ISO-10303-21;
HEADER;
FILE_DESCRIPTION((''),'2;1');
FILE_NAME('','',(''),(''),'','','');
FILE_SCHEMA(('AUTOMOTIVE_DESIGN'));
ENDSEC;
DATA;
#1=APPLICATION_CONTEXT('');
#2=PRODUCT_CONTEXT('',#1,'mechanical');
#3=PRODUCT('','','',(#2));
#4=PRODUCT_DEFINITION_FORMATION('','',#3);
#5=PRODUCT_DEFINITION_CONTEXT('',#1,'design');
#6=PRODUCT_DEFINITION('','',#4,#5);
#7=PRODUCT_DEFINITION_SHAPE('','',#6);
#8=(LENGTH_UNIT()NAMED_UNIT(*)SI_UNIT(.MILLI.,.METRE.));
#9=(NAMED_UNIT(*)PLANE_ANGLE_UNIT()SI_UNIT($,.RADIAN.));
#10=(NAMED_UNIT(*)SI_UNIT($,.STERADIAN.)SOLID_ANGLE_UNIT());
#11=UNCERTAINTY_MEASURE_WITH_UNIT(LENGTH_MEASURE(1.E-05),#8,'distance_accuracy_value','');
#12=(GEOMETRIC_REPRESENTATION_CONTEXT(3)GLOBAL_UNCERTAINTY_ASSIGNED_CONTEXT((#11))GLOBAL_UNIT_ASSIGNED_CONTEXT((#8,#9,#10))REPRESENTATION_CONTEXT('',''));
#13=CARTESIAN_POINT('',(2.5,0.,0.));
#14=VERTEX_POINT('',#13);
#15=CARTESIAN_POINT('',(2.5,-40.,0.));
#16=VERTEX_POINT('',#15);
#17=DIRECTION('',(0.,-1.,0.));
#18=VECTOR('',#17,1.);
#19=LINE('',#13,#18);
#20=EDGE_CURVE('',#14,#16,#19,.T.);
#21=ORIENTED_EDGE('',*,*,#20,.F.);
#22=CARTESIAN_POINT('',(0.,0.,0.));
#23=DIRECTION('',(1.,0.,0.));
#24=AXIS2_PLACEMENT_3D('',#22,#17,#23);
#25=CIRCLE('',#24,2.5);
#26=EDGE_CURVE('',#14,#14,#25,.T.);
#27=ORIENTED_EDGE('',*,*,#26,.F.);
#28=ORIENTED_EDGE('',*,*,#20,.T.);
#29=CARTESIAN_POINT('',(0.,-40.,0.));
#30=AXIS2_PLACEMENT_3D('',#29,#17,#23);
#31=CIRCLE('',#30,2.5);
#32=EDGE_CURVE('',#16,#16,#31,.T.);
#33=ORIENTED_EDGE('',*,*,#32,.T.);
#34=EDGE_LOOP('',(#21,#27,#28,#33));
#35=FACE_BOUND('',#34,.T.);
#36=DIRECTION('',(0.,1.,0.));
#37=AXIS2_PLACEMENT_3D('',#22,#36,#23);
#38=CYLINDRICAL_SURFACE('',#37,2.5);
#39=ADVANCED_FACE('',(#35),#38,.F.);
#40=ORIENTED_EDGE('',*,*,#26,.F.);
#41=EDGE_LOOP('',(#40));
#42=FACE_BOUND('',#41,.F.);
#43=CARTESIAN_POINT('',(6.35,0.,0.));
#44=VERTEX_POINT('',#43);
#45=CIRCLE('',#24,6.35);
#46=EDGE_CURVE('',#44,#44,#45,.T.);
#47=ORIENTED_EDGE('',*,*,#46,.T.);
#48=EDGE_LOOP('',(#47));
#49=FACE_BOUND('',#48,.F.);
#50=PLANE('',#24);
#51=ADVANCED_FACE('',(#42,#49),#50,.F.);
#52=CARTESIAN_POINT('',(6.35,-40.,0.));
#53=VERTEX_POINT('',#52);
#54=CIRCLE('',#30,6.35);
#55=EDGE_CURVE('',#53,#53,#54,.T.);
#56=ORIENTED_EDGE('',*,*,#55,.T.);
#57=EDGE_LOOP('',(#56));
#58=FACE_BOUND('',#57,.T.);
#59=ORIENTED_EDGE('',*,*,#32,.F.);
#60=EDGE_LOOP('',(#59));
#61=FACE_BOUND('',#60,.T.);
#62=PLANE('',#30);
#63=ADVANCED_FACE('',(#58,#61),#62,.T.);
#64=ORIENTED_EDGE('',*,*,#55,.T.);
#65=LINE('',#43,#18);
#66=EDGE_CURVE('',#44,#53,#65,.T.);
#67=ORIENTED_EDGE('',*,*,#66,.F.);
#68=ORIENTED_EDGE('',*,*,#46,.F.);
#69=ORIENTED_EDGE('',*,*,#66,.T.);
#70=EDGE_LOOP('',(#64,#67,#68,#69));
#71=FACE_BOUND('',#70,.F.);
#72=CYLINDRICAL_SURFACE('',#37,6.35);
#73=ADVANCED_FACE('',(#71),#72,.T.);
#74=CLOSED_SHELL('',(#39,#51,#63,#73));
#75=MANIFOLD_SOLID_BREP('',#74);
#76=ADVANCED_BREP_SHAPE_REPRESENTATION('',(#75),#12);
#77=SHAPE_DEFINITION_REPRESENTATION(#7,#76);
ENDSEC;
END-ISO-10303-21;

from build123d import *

# Parameters (mm, degrees)
SKETCH_R   = 6.35
SKETCH_R_2 = 2.5
PAD_DEPTH  = 40


with BuildPart() as part:
    # Sketch → Pad (new body)
    with BuildSketch(Plane.XZ):
        Circle(SKETCH_R)
        Circle(SKETCH_R_2, mode=Mode.SUBTRACT)
    extrude(amount=PAD_DEPTH)


solid = part.part
